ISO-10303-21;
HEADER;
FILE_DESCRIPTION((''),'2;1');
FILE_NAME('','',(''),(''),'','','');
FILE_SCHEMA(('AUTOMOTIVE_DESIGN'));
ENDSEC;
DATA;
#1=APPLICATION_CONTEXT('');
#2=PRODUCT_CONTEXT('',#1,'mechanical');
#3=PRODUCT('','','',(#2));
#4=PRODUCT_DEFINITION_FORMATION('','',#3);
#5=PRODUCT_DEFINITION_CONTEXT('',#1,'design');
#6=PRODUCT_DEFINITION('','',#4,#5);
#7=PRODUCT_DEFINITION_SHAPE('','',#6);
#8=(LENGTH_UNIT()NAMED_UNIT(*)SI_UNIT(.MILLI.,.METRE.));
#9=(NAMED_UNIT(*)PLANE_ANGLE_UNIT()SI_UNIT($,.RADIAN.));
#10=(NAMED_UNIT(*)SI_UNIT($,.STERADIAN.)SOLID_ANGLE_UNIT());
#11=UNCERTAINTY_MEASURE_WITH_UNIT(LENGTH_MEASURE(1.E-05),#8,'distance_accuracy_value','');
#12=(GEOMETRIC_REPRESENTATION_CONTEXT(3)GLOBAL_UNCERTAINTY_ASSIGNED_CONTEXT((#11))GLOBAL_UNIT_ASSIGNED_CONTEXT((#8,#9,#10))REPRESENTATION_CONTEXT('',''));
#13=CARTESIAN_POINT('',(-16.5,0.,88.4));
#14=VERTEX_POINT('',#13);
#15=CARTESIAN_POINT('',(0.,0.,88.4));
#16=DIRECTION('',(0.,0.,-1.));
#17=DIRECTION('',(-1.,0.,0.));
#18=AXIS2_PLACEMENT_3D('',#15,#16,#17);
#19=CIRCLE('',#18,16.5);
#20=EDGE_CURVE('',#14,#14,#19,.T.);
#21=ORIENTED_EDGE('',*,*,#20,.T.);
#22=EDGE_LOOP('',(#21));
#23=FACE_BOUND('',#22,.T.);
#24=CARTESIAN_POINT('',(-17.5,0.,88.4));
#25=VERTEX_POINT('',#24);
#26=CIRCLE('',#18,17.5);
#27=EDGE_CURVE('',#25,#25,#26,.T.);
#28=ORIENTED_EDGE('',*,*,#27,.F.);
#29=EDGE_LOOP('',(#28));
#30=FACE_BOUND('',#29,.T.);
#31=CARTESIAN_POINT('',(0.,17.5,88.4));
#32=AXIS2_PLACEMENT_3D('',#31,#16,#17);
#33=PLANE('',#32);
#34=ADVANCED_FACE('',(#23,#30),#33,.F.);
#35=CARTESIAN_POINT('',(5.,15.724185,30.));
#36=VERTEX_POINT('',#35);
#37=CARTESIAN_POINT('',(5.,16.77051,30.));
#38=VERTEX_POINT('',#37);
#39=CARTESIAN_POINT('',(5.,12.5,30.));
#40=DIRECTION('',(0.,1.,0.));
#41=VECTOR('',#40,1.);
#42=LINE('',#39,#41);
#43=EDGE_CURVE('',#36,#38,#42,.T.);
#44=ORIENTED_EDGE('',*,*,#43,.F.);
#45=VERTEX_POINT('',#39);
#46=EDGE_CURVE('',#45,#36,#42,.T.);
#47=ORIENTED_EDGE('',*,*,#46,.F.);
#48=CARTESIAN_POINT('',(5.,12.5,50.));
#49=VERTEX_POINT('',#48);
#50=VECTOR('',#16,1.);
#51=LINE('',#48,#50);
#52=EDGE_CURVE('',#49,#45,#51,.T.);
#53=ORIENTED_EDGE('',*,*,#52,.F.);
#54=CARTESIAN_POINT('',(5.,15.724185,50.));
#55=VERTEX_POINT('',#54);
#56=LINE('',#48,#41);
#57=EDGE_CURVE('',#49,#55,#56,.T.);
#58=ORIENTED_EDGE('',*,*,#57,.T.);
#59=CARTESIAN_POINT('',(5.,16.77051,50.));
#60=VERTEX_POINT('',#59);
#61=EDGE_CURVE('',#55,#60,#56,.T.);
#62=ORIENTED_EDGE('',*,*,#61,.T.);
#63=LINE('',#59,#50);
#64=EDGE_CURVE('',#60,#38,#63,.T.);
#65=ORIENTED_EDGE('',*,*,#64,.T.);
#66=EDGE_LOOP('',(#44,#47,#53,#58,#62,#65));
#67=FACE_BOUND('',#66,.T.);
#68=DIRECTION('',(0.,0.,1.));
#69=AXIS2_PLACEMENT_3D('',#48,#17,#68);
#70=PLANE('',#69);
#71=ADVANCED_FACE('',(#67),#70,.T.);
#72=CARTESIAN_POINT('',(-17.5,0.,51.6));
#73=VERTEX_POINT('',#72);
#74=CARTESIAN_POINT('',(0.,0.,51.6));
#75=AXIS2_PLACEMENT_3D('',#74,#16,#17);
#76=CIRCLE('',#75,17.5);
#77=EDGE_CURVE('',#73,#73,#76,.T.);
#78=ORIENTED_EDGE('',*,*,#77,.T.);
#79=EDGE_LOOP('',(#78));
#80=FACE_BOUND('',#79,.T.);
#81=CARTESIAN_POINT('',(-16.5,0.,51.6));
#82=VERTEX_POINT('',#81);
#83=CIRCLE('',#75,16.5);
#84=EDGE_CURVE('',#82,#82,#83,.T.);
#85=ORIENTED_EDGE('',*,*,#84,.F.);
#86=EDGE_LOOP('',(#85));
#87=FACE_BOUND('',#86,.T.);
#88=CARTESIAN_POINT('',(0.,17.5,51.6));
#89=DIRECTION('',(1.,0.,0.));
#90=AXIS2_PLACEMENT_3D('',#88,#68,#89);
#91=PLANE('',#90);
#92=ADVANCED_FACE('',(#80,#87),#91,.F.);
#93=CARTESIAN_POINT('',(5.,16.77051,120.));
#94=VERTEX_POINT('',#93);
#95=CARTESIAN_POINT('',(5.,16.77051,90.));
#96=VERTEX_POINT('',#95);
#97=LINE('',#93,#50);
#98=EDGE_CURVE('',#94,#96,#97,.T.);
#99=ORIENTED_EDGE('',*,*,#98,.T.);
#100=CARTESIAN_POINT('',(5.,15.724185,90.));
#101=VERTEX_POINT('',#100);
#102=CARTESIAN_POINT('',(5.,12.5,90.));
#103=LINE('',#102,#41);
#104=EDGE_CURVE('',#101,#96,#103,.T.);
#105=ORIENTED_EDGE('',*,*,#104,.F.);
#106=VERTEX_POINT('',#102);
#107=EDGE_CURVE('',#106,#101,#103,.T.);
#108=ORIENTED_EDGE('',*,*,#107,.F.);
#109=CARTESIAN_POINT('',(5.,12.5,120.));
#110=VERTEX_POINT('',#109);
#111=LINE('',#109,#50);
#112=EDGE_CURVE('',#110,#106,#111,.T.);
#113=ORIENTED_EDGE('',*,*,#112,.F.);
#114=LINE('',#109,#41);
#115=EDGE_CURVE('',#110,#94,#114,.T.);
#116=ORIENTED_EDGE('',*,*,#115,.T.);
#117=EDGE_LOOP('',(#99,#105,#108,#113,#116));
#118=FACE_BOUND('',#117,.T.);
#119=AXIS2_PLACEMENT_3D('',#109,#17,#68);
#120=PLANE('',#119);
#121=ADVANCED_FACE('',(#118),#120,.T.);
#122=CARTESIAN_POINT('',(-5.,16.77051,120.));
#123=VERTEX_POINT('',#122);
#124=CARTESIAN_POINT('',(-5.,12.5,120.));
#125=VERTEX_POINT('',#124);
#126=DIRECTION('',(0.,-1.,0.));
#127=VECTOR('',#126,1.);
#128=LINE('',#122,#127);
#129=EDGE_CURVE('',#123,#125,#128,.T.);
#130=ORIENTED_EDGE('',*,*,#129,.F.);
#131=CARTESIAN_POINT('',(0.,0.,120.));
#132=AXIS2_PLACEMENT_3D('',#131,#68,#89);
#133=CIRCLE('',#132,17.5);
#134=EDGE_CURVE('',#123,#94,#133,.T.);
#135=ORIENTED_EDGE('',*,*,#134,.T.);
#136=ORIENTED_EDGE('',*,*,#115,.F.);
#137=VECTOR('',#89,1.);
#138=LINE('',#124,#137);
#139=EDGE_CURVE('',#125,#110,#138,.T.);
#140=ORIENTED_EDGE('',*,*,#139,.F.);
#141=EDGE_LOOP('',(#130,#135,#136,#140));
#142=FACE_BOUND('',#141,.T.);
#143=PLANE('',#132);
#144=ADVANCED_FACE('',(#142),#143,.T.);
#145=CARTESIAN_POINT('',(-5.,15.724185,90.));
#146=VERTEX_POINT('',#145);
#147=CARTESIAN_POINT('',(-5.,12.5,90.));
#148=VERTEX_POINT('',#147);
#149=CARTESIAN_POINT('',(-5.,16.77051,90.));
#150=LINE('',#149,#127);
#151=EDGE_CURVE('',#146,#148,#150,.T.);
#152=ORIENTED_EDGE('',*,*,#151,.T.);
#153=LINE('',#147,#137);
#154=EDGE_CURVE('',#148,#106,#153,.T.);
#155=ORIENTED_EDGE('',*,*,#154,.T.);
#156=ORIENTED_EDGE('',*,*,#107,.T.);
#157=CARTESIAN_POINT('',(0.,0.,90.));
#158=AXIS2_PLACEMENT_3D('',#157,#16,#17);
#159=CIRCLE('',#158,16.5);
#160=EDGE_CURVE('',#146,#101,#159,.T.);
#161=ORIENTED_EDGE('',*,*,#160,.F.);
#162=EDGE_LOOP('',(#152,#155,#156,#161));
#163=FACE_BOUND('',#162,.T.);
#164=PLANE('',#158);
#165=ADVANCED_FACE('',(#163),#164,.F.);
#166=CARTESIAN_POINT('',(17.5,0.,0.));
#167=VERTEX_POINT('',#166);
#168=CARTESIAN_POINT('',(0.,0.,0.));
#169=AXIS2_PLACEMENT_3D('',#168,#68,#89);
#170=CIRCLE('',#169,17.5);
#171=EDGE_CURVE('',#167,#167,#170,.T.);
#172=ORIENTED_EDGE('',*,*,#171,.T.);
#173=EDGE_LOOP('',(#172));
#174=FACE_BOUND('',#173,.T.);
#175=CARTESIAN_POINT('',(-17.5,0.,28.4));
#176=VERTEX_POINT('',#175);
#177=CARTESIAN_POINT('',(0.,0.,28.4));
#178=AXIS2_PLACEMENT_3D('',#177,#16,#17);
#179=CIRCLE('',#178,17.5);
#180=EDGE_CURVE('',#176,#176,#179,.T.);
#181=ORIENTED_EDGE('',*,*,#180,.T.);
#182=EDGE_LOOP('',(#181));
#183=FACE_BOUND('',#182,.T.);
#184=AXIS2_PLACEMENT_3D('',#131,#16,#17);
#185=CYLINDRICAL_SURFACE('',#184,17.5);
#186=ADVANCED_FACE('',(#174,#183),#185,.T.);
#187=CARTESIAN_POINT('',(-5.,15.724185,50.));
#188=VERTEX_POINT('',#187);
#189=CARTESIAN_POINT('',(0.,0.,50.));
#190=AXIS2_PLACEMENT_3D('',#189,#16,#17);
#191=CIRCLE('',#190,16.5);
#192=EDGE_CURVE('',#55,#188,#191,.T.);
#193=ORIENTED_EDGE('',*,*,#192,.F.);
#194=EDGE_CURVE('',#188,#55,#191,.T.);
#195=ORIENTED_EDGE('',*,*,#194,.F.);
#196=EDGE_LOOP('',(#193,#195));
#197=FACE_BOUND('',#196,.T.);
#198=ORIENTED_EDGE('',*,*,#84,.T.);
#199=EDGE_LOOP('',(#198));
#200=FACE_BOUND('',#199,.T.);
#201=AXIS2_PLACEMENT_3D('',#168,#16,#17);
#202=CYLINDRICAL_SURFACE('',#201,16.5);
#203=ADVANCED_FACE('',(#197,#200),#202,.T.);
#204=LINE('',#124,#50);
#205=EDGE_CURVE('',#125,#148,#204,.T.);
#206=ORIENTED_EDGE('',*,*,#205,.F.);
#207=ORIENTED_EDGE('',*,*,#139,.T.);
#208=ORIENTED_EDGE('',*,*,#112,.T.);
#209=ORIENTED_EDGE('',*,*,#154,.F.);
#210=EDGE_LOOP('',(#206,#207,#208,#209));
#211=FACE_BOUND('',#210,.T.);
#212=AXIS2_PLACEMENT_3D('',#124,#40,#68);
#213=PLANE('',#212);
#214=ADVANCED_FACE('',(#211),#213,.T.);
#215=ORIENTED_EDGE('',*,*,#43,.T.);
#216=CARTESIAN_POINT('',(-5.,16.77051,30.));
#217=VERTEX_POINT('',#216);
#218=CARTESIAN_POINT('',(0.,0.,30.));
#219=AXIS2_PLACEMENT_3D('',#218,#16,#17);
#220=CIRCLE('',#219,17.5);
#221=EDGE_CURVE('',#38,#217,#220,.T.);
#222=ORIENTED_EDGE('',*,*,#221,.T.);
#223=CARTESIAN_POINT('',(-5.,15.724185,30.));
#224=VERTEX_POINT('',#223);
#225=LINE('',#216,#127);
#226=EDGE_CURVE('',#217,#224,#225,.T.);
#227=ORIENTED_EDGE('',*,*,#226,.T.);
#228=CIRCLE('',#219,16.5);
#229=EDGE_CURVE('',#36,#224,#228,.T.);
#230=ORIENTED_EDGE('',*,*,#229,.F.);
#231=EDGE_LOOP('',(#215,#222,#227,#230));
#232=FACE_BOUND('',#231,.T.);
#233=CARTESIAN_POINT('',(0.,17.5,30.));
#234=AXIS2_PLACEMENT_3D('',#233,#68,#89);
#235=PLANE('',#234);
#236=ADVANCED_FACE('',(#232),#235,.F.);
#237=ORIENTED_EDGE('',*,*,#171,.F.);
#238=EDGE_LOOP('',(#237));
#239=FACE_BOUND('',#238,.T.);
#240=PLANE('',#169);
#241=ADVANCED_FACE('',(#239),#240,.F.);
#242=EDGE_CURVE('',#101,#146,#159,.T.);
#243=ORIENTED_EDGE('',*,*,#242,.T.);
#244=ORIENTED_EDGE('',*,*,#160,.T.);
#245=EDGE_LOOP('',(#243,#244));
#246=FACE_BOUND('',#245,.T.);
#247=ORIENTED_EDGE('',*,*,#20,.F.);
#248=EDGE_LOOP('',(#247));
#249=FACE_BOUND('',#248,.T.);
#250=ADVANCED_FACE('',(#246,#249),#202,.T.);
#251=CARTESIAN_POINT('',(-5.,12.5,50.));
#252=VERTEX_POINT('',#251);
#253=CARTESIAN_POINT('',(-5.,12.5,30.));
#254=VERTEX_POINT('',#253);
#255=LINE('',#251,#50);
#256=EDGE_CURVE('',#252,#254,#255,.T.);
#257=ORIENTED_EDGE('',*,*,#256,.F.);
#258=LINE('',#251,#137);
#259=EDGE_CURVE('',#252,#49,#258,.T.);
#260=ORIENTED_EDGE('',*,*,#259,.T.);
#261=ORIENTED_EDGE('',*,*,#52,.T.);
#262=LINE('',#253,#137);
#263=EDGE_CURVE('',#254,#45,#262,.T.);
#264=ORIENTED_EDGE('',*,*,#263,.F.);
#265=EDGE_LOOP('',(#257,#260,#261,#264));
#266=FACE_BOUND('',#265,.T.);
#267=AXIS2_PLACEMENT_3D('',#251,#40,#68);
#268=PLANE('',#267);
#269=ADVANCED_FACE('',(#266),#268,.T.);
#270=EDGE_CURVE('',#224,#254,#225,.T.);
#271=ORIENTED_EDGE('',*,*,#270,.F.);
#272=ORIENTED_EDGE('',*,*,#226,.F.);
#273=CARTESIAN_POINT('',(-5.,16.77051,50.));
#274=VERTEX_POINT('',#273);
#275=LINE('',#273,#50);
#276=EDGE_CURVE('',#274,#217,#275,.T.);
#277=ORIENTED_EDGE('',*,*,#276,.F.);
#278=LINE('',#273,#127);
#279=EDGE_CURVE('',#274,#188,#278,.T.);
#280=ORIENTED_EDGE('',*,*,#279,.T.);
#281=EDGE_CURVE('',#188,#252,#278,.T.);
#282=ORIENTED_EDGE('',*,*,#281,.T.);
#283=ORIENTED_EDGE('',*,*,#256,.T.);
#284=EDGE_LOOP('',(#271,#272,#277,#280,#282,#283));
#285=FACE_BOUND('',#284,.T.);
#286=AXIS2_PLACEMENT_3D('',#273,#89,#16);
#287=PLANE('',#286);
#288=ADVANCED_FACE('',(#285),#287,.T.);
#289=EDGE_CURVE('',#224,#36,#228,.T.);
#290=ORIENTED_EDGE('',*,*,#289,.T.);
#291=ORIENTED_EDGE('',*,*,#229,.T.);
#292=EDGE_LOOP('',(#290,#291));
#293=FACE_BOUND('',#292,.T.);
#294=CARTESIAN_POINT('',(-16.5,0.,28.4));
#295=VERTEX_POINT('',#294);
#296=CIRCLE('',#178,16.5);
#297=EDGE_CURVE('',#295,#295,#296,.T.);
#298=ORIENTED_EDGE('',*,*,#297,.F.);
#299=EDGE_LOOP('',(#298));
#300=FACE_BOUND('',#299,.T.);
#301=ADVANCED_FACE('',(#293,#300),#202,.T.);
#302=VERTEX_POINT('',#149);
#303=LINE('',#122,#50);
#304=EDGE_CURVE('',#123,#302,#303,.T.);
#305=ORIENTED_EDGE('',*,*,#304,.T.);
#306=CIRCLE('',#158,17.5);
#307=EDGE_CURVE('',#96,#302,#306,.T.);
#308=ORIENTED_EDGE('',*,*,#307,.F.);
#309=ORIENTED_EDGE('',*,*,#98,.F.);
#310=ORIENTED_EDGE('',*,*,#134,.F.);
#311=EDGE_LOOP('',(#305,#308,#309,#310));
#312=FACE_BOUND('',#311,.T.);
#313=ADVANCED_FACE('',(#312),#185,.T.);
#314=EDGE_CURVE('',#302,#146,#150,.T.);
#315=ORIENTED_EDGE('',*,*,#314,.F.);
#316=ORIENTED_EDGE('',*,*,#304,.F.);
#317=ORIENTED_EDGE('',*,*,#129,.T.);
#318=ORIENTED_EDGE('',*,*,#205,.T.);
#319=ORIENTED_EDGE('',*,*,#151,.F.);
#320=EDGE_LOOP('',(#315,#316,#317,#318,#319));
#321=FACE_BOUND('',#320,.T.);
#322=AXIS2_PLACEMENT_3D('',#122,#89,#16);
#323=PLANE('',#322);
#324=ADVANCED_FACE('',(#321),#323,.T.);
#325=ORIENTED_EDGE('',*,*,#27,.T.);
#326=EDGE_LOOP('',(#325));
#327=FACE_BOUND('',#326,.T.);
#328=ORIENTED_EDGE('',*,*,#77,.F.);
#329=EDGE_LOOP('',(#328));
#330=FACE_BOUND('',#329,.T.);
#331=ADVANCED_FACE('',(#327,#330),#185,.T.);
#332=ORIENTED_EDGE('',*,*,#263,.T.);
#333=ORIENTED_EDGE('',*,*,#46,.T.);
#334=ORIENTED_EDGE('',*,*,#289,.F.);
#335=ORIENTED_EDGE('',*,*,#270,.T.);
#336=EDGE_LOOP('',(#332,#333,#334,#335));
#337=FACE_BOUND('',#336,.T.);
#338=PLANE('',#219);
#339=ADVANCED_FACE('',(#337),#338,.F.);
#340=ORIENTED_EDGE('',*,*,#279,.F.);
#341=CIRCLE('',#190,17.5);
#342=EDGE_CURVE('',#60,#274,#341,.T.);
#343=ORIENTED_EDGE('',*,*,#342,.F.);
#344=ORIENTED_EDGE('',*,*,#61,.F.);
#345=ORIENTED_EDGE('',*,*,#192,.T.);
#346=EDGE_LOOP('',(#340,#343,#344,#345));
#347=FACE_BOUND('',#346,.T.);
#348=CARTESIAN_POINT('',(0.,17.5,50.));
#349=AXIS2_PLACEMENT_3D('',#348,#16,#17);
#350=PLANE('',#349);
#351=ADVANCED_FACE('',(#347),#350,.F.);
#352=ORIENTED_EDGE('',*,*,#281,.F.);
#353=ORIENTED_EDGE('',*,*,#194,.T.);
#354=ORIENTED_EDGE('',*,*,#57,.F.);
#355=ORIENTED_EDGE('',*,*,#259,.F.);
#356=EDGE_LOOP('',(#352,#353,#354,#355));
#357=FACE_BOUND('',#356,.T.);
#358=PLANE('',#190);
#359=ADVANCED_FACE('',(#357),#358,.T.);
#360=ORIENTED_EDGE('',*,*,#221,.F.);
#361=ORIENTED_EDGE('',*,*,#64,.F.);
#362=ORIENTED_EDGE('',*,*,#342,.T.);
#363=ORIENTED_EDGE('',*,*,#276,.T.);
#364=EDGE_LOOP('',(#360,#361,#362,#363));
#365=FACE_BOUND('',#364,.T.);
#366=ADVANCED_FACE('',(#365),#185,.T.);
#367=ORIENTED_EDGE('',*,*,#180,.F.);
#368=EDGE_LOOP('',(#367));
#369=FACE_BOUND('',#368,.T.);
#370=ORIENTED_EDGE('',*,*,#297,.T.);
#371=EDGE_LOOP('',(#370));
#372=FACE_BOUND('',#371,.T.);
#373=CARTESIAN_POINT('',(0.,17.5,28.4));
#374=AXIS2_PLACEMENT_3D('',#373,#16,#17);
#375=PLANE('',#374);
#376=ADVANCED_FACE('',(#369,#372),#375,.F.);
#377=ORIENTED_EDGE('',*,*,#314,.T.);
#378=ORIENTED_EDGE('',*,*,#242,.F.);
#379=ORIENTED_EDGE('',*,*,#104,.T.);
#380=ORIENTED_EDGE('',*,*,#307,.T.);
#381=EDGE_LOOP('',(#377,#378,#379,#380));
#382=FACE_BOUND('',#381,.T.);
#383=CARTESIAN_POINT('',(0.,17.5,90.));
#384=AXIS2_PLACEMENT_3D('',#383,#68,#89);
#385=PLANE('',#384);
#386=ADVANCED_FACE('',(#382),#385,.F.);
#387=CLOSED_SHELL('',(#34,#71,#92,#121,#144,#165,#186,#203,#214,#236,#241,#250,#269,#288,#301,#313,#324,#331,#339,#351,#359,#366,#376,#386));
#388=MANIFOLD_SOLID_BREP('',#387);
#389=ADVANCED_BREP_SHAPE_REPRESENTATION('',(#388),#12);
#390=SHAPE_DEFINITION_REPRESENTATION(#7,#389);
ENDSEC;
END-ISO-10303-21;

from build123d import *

# Parameters (mm, degrees)
SKETCH1_R           = 17.5
BOSS_EXTRUDE1_DEPTH = 120
CUT_EXTRUDE1_START  = 30
CUT_EXTRUDE1_DEPTH  = 20
CUT_EXTRUDE2_START  = 90
CUT_EXTRUDE2_DEPTH  = 30
SKETCH3_W           = 1.6
SKETCH3_H           = 1


with BuildPart() as part:
    # Sketch1 → Boss-Extrude1 (new body)
    with BuildSketch(Plane.XY):
        Circle(SKETCH1_R)
    extrude(amount=BOSS_EXTRUDE1_DEPTH)

    # Sketch2 → Cut-Extrude1 (cut)
    with BuildSketch(Plane.XY.offset(CUT_EXTRUDE1_START)):
        with BuildLine():
            Line((-5, 16.770509831), (-5, 12.5))
            Line((-5, 12.5), (5, 12.5))
            Line((5, 12.5), (5, 16.770509831))
            ThreePointArc((5, 16.770509831), (0, 17.5), (-5, 16.770509831))
        make_face()
    extrude(amount=CUT_EXTRUDE1_DEPTH, mode=Mode.SUBTRACT)

    # Sketch2<2> → Cut-Extrude2 (cut)
    with BuildSketch(Plane.XY.offset(CUT_EXTRUDE2_START)):
        with BuildLine():
            Line((-5, 16.770509831), (-5, 12.5))
            Line((-5, 12.5), (5, 12.5))
            Line((5, 12.5), (5, 16.770509831))
            ThreePointArc((5, 16.770509831), (0, 17.5), (-5, 16.770509831))
        make_face()
    extrude(amount=CUT_EXTRUDE2_DEPTH, mode=Mode.SUBTRACT)

    # Sketch3 → Cut-Revolve2 (revolve, cut)
    with BuildSketch(Plane(origin=(0, 0, 0), x_dir=(0, 0, -1), z_dir=(1, 0, 0))):
        with Locations((-29.2, 17)):
            Rectangle(SKETCH3_W, SKETCH3_H)
        with Locations((-50.8, 17)):
            Rectangle(SKETCH3_W, SKETCH3_H)
        with Locations((-89.2, 17)):
            Rectangle(SKETCH3_W, SKETCH3_H)
    revolve(axis=Axis((0, 0, 0), (0, 0, 1)), mode=Mode.SUBTRACT)


solid = part.part
